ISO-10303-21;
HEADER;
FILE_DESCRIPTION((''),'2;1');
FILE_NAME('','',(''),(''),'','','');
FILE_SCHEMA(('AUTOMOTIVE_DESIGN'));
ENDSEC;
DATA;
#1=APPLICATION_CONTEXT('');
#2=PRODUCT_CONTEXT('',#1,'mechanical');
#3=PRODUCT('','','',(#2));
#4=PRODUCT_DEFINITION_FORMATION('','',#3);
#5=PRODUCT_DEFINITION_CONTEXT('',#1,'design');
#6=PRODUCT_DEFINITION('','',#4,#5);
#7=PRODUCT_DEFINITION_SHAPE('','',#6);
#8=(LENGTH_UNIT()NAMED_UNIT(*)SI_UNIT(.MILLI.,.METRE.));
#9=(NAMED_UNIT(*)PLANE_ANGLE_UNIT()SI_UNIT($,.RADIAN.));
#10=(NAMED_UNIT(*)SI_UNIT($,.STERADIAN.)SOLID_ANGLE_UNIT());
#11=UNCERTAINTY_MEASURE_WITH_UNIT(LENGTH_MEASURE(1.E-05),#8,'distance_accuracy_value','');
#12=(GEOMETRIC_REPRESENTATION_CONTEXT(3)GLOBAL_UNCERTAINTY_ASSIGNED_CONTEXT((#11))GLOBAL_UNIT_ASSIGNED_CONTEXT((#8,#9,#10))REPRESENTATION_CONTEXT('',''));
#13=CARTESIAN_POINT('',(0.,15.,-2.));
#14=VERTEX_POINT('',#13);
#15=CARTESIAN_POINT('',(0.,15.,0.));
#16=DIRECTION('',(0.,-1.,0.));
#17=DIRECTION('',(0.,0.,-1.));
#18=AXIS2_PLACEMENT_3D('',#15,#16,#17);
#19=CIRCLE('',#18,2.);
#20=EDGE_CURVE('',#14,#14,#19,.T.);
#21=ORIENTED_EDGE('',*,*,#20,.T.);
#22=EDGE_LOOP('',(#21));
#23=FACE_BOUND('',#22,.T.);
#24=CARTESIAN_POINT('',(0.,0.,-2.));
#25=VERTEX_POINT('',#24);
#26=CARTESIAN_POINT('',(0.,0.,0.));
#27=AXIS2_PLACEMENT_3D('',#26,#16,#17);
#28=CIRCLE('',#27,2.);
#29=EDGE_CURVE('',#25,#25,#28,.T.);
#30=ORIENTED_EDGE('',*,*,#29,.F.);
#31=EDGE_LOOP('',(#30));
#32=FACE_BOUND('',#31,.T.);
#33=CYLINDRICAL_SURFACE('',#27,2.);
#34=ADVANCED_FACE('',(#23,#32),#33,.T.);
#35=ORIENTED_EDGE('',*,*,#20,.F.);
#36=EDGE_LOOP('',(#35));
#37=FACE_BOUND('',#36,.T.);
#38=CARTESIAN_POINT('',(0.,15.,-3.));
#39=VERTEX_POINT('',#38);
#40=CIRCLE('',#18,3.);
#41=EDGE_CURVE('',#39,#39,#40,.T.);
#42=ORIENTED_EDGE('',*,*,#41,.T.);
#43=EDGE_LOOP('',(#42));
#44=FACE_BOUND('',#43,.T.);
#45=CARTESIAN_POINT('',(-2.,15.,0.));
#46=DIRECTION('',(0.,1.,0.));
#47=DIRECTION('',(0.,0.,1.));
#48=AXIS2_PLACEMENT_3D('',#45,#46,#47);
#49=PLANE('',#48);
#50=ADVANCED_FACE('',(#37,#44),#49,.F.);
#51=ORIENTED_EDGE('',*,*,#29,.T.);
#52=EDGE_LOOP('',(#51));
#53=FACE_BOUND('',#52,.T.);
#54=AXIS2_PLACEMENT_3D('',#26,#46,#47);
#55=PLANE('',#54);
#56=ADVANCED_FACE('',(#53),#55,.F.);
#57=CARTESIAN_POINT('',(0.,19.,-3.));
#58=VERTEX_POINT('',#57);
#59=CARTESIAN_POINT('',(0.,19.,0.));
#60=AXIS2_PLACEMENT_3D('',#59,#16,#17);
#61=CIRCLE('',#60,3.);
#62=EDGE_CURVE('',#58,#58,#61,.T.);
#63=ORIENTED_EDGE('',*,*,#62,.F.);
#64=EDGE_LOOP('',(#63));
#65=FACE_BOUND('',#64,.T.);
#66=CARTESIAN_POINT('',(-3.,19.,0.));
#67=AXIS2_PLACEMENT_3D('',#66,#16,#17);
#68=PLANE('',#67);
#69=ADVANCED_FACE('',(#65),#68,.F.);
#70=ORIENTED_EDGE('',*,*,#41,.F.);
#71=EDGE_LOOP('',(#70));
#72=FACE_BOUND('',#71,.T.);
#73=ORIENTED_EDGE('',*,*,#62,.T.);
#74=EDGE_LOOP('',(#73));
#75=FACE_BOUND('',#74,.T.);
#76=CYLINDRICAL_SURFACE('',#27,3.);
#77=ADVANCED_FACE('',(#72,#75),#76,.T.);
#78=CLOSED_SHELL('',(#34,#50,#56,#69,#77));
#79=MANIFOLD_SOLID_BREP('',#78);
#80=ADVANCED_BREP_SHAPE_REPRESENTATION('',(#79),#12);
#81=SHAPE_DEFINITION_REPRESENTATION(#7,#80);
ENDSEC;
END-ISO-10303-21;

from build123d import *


with BuildPart() as part:
    # Sketch1 → Revolve1 (revolve)
    with BuildSketch(Plane.XY):
        Polygon((0, 0), (-2, 0), (-2, 15), (-3, 15), (-3, 19), (0, 19), align=None)
    revolve(axis=Axis((0, 0, 0), (0, 1, 0)))


solid = part.part
